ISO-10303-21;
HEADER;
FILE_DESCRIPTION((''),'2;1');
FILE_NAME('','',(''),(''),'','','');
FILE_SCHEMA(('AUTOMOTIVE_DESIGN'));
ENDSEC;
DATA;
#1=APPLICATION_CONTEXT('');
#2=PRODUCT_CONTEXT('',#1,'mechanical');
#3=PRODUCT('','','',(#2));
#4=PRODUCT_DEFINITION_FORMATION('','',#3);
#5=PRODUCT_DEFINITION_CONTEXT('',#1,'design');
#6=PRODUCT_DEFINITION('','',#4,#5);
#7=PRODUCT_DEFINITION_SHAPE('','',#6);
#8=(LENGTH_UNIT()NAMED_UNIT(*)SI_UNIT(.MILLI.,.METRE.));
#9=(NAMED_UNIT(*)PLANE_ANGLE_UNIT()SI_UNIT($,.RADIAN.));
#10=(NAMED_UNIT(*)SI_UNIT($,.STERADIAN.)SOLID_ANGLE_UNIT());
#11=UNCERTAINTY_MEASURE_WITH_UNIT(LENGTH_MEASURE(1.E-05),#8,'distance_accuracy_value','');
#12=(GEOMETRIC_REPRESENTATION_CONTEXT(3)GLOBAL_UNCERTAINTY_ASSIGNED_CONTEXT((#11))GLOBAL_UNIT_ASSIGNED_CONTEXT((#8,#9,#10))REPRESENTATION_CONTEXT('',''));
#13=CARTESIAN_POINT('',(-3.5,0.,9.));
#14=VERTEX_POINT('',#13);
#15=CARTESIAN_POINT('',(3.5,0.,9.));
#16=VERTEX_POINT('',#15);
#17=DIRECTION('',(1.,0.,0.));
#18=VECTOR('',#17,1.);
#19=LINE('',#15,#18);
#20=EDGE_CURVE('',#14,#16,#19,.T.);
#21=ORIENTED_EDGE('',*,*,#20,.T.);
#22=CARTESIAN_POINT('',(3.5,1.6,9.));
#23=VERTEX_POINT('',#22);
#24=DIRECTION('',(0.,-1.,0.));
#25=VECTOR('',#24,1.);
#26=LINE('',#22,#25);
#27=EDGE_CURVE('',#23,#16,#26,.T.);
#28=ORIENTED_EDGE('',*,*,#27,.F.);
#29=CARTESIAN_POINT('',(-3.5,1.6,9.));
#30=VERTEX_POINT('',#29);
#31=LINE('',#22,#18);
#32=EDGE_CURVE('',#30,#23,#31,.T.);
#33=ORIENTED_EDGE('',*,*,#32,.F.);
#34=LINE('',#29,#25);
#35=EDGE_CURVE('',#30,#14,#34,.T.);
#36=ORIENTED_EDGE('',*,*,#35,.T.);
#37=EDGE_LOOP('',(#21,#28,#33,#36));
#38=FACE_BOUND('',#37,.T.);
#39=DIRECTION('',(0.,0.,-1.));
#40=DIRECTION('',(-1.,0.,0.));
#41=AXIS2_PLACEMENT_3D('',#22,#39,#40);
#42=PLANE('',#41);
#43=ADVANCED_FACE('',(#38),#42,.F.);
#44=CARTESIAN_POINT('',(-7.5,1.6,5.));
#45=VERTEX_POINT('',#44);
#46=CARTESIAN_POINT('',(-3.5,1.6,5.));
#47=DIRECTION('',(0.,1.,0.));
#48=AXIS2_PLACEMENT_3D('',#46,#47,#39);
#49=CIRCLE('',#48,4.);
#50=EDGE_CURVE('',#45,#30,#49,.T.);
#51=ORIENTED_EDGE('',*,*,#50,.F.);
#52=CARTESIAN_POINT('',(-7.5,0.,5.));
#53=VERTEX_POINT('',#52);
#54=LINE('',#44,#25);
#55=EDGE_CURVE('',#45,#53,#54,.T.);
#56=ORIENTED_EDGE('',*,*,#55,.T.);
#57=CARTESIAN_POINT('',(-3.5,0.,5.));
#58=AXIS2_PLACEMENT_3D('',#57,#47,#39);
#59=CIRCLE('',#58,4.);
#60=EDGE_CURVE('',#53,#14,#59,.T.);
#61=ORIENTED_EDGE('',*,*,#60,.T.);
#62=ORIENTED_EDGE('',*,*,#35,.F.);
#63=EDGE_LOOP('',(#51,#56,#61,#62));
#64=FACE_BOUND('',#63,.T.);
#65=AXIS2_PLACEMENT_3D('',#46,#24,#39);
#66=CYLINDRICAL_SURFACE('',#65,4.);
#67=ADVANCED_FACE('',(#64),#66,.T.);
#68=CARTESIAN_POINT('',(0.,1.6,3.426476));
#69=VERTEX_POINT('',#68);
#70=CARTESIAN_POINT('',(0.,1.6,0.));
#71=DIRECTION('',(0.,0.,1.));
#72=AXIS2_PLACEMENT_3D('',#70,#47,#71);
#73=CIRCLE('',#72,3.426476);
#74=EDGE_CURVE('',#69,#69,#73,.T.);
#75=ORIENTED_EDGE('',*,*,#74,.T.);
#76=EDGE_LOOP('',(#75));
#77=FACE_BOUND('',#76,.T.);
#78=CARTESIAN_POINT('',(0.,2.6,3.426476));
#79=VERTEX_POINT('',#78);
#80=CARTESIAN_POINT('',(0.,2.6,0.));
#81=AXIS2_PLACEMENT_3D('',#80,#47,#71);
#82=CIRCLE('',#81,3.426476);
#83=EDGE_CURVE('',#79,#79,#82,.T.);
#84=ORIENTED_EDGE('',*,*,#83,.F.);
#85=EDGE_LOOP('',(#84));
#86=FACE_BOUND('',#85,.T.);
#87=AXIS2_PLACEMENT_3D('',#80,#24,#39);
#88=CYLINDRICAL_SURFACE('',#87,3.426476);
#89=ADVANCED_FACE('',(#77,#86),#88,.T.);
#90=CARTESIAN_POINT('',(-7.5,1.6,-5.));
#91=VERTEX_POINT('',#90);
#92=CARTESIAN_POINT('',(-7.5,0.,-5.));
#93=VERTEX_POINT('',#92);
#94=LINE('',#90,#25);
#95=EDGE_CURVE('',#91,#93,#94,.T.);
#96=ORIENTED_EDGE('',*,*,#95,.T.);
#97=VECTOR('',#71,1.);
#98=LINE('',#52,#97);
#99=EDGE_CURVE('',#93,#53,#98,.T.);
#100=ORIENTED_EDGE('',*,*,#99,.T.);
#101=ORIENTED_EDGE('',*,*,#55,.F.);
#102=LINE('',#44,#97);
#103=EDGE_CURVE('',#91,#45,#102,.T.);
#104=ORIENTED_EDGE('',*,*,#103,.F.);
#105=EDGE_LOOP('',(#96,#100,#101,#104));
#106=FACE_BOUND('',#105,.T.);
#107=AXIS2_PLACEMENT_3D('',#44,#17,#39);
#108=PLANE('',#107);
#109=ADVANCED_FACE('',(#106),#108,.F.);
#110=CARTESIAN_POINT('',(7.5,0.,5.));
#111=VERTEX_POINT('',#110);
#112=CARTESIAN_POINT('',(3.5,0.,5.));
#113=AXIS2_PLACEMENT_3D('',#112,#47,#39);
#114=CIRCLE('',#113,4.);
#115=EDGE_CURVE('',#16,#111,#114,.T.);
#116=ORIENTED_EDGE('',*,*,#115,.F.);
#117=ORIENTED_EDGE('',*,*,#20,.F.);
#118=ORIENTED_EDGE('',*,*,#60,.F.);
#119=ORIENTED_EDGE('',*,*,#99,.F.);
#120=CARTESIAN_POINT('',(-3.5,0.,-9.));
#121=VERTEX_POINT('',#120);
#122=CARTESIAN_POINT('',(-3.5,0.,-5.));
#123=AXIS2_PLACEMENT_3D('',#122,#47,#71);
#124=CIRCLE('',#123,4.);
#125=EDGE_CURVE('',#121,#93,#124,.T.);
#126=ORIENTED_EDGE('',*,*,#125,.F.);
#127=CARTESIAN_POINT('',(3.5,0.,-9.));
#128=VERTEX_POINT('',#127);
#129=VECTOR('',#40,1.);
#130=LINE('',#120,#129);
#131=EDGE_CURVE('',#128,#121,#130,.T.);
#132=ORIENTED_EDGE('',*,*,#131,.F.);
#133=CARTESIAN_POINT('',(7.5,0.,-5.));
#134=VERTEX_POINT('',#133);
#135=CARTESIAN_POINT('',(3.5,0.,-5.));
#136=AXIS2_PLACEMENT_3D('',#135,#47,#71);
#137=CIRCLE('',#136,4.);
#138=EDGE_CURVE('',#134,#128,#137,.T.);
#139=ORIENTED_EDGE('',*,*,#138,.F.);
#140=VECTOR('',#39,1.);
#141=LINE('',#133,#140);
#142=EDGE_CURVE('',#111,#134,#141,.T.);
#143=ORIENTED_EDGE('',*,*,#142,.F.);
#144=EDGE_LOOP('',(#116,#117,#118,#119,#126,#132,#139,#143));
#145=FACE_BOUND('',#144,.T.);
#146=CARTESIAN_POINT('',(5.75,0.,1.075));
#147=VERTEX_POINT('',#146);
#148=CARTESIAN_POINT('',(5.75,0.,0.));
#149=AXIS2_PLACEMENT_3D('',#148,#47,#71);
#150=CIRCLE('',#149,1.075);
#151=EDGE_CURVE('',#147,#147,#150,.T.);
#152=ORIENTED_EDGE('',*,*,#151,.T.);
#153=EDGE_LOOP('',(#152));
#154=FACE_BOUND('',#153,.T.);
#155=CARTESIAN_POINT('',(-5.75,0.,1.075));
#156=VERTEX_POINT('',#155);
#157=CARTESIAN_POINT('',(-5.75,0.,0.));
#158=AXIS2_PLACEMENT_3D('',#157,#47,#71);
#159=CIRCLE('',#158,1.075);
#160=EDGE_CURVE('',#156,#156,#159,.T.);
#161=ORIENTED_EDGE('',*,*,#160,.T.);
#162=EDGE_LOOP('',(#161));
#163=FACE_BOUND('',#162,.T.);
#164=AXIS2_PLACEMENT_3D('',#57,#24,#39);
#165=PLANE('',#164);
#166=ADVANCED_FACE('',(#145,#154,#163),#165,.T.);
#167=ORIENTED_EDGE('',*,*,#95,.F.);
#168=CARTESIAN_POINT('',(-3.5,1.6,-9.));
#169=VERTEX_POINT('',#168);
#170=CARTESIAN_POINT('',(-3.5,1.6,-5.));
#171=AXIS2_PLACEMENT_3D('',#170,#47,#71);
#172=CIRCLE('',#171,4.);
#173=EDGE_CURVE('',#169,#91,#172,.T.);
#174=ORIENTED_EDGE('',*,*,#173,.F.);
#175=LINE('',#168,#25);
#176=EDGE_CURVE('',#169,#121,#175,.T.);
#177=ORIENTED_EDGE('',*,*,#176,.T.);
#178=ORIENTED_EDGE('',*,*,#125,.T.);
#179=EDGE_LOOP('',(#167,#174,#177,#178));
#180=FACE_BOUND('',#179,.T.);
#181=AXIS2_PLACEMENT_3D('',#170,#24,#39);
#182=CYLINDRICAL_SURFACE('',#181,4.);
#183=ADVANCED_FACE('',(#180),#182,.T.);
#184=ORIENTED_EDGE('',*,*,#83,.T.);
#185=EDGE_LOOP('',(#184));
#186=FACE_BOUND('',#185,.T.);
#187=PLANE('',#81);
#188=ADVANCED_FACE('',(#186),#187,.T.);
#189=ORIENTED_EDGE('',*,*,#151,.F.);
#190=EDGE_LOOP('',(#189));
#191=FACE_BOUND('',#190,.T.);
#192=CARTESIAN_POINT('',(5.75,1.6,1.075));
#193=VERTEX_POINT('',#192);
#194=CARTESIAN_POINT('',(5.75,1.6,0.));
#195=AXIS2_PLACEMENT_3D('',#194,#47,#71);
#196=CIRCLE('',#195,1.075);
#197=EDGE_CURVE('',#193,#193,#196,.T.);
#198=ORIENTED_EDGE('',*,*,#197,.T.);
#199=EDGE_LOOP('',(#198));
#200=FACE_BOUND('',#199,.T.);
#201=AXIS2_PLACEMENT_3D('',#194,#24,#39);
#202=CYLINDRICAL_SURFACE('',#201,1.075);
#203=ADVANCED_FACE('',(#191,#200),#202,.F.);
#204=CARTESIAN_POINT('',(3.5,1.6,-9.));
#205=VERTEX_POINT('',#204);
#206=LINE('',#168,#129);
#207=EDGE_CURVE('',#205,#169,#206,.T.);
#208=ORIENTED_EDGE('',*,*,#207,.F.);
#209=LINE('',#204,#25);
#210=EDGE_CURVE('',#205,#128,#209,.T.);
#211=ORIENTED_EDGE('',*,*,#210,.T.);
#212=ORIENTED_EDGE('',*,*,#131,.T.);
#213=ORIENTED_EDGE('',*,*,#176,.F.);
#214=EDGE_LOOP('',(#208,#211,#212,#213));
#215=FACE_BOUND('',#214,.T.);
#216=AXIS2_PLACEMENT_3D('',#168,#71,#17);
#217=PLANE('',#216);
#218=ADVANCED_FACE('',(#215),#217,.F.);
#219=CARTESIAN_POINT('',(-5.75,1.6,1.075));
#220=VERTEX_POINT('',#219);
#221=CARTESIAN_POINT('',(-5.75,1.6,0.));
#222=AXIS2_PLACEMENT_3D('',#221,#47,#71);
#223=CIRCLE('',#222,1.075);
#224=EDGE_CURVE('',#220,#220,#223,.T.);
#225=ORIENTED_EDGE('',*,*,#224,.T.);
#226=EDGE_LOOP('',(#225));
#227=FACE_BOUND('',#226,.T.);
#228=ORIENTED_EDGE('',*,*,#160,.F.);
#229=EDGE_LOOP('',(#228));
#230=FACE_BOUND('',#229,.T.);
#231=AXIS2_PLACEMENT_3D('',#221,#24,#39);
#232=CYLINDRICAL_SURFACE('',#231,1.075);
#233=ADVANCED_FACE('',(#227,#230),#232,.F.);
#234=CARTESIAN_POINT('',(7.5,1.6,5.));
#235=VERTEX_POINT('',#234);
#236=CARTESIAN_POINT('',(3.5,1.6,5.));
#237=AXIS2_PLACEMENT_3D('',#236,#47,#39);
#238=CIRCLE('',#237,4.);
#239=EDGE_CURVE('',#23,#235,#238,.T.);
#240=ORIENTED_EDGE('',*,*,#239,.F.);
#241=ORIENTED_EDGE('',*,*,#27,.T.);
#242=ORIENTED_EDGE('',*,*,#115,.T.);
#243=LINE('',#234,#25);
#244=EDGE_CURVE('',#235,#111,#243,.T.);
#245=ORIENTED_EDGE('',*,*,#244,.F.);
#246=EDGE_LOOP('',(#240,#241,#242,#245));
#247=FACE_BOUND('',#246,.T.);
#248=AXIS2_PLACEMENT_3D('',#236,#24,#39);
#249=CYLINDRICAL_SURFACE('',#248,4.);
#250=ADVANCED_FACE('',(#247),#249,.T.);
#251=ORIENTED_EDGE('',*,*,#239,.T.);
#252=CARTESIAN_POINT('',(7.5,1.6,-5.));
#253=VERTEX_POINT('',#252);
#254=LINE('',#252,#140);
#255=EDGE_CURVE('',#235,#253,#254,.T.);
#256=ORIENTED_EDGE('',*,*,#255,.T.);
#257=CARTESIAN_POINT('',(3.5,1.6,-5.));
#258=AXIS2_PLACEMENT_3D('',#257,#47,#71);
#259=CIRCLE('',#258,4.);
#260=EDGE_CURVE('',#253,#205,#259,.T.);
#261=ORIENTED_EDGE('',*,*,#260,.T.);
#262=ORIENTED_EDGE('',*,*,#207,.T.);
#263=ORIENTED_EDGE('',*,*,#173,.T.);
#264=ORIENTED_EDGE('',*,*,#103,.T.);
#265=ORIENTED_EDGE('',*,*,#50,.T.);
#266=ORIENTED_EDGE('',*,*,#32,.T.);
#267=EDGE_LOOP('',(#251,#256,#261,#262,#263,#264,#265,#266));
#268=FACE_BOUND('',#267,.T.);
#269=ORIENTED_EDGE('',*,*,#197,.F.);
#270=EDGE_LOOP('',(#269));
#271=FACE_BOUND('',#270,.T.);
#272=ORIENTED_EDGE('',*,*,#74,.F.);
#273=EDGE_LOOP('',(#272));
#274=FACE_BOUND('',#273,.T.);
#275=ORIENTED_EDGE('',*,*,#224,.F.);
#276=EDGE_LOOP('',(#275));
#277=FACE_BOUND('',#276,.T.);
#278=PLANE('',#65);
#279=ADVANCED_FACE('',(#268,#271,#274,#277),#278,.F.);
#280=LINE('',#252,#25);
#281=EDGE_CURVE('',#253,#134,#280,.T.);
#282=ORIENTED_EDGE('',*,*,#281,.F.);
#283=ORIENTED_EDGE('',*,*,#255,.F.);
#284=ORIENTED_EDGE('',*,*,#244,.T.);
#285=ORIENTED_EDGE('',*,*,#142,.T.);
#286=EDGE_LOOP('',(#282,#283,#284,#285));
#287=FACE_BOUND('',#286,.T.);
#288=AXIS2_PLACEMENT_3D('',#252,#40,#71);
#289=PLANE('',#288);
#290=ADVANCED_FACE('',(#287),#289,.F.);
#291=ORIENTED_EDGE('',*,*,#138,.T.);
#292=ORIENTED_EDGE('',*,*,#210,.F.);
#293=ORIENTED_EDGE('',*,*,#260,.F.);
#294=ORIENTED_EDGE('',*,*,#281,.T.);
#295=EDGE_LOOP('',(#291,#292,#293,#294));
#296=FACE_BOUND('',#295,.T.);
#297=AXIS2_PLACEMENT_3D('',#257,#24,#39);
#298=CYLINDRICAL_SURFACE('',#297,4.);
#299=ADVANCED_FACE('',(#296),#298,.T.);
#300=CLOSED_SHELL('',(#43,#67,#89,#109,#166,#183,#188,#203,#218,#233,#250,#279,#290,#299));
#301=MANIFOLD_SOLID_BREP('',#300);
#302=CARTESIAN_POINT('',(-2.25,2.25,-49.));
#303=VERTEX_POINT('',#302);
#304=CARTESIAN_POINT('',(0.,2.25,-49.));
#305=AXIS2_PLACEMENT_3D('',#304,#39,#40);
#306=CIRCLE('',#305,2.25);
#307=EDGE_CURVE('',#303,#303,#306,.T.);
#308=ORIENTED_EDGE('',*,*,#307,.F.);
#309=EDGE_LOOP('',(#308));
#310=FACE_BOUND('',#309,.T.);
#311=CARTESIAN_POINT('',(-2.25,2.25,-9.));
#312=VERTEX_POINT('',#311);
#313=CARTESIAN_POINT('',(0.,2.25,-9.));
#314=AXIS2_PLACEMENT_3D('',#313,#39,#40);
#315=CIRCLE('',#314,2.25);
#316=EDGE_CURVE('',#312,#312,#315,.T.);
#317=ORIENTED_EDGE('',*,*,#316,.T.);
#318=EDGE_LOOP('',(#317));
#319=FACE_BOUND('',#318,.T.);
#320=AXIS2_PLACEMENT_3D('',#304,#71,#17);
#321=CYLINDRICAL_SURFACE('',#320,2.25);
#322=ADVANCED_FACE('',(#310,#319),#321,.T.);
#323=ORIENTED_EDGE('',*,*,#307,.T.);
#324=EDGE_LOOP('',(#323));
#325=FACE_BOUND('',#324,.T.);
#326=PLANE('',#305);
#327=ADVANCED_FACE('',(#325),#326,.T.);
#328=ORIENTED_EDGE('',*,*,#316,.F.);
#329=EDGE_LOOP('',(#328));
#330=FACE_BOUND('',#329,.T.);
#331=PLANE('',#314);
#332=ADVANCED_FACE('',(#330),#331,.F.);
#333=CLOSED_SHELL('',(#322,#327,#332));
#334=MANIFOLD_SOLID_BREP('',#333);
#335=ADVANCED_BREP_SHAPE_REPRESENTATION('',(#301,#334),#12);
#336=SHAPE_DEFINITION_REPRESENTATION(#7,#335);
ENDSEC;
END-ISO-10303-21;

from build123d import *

# Parameters (mm, degrees)
SKETCH1_R           = 1.075
BOSS_EXTRUDE1_DEPTH = 1.6
SKETCH2_R           = 3.426475787
BOSS_EXTRUDE2_DEPTH = 1
SKETCH4_R           = 2.25
BOSS_EXTRUDE3_DEPTH = 40


with BuildPart() as part:
    # Sketch1 → Boss-Extrude1 (new body)
    with BuildSketch(Plane(origin=(0, 0, 0), x_dir=(1, 0, 0), z_dir=(0, 1, 0))):
        with BuildLine():
            Line((-3.5, 9), (3.5, 9))
            ThreePointArc((3.5, 9), (6.328427125, 7.828427125), (7.5, 5))
            Line((7.5, 5), (7.5, -5))
            ThreePointArc((7.5, -5), (6.328427125, -7.828427125), (3.5, -9))
            Line((3.5, -9), (-3.5, -9))
            ThreePointArc((-3.5, -9), (-6.328427125, -7.828427125), (-7.5, -5))
            Line((-7.5, -5), (-7.5, 5))
            ThreePointArc((-7.5, 5), (-6.328427125, 7.828427125), (-3.5, 9))
        make_face()
        with Locations(Location((-5.75, 0, 0), (0, 0, 270))):
            Circle(SKETCH1_R, mode=Mode.SUBTRACT)
        with Locations(Location((5.75, 0, 0), (0, 0, 270))):
            Circle(SKETCH1_R, mode=Mode.SUBTRACT)
    extrude(amount=BOSS_EXTRUDE1_DEPTH)

    # Sketch2 → Boss-Extrude2 (add)
    with BuildSketch(Plane(origin=(0, 1.6, 0), x_dir=(1, 0, 0), z_dir=(0, 1, 0))):
        with Locations(Location((0, 0, 0), (0, 0, 270))):
            Circle(SKETCH2_R)
    extrude(amount=BOSS_EXTRUDE2_DEPTH)


with BuildPart() as body_2:
    # Sketch4 → Boss-Extrude3 (new body)
    with BuildSketch(Plane(origin=(0, 0, -9), x_dir=(-1, 0, 0), z_dir=(0, 0, -1))):
        with Locations((0, 2.25)):
            Circle(SKETCH4_R)
    extrude(amount=BOSS_EXTRUDE3_DEPTH)


solid = Compound([part.part, body_2.part])
